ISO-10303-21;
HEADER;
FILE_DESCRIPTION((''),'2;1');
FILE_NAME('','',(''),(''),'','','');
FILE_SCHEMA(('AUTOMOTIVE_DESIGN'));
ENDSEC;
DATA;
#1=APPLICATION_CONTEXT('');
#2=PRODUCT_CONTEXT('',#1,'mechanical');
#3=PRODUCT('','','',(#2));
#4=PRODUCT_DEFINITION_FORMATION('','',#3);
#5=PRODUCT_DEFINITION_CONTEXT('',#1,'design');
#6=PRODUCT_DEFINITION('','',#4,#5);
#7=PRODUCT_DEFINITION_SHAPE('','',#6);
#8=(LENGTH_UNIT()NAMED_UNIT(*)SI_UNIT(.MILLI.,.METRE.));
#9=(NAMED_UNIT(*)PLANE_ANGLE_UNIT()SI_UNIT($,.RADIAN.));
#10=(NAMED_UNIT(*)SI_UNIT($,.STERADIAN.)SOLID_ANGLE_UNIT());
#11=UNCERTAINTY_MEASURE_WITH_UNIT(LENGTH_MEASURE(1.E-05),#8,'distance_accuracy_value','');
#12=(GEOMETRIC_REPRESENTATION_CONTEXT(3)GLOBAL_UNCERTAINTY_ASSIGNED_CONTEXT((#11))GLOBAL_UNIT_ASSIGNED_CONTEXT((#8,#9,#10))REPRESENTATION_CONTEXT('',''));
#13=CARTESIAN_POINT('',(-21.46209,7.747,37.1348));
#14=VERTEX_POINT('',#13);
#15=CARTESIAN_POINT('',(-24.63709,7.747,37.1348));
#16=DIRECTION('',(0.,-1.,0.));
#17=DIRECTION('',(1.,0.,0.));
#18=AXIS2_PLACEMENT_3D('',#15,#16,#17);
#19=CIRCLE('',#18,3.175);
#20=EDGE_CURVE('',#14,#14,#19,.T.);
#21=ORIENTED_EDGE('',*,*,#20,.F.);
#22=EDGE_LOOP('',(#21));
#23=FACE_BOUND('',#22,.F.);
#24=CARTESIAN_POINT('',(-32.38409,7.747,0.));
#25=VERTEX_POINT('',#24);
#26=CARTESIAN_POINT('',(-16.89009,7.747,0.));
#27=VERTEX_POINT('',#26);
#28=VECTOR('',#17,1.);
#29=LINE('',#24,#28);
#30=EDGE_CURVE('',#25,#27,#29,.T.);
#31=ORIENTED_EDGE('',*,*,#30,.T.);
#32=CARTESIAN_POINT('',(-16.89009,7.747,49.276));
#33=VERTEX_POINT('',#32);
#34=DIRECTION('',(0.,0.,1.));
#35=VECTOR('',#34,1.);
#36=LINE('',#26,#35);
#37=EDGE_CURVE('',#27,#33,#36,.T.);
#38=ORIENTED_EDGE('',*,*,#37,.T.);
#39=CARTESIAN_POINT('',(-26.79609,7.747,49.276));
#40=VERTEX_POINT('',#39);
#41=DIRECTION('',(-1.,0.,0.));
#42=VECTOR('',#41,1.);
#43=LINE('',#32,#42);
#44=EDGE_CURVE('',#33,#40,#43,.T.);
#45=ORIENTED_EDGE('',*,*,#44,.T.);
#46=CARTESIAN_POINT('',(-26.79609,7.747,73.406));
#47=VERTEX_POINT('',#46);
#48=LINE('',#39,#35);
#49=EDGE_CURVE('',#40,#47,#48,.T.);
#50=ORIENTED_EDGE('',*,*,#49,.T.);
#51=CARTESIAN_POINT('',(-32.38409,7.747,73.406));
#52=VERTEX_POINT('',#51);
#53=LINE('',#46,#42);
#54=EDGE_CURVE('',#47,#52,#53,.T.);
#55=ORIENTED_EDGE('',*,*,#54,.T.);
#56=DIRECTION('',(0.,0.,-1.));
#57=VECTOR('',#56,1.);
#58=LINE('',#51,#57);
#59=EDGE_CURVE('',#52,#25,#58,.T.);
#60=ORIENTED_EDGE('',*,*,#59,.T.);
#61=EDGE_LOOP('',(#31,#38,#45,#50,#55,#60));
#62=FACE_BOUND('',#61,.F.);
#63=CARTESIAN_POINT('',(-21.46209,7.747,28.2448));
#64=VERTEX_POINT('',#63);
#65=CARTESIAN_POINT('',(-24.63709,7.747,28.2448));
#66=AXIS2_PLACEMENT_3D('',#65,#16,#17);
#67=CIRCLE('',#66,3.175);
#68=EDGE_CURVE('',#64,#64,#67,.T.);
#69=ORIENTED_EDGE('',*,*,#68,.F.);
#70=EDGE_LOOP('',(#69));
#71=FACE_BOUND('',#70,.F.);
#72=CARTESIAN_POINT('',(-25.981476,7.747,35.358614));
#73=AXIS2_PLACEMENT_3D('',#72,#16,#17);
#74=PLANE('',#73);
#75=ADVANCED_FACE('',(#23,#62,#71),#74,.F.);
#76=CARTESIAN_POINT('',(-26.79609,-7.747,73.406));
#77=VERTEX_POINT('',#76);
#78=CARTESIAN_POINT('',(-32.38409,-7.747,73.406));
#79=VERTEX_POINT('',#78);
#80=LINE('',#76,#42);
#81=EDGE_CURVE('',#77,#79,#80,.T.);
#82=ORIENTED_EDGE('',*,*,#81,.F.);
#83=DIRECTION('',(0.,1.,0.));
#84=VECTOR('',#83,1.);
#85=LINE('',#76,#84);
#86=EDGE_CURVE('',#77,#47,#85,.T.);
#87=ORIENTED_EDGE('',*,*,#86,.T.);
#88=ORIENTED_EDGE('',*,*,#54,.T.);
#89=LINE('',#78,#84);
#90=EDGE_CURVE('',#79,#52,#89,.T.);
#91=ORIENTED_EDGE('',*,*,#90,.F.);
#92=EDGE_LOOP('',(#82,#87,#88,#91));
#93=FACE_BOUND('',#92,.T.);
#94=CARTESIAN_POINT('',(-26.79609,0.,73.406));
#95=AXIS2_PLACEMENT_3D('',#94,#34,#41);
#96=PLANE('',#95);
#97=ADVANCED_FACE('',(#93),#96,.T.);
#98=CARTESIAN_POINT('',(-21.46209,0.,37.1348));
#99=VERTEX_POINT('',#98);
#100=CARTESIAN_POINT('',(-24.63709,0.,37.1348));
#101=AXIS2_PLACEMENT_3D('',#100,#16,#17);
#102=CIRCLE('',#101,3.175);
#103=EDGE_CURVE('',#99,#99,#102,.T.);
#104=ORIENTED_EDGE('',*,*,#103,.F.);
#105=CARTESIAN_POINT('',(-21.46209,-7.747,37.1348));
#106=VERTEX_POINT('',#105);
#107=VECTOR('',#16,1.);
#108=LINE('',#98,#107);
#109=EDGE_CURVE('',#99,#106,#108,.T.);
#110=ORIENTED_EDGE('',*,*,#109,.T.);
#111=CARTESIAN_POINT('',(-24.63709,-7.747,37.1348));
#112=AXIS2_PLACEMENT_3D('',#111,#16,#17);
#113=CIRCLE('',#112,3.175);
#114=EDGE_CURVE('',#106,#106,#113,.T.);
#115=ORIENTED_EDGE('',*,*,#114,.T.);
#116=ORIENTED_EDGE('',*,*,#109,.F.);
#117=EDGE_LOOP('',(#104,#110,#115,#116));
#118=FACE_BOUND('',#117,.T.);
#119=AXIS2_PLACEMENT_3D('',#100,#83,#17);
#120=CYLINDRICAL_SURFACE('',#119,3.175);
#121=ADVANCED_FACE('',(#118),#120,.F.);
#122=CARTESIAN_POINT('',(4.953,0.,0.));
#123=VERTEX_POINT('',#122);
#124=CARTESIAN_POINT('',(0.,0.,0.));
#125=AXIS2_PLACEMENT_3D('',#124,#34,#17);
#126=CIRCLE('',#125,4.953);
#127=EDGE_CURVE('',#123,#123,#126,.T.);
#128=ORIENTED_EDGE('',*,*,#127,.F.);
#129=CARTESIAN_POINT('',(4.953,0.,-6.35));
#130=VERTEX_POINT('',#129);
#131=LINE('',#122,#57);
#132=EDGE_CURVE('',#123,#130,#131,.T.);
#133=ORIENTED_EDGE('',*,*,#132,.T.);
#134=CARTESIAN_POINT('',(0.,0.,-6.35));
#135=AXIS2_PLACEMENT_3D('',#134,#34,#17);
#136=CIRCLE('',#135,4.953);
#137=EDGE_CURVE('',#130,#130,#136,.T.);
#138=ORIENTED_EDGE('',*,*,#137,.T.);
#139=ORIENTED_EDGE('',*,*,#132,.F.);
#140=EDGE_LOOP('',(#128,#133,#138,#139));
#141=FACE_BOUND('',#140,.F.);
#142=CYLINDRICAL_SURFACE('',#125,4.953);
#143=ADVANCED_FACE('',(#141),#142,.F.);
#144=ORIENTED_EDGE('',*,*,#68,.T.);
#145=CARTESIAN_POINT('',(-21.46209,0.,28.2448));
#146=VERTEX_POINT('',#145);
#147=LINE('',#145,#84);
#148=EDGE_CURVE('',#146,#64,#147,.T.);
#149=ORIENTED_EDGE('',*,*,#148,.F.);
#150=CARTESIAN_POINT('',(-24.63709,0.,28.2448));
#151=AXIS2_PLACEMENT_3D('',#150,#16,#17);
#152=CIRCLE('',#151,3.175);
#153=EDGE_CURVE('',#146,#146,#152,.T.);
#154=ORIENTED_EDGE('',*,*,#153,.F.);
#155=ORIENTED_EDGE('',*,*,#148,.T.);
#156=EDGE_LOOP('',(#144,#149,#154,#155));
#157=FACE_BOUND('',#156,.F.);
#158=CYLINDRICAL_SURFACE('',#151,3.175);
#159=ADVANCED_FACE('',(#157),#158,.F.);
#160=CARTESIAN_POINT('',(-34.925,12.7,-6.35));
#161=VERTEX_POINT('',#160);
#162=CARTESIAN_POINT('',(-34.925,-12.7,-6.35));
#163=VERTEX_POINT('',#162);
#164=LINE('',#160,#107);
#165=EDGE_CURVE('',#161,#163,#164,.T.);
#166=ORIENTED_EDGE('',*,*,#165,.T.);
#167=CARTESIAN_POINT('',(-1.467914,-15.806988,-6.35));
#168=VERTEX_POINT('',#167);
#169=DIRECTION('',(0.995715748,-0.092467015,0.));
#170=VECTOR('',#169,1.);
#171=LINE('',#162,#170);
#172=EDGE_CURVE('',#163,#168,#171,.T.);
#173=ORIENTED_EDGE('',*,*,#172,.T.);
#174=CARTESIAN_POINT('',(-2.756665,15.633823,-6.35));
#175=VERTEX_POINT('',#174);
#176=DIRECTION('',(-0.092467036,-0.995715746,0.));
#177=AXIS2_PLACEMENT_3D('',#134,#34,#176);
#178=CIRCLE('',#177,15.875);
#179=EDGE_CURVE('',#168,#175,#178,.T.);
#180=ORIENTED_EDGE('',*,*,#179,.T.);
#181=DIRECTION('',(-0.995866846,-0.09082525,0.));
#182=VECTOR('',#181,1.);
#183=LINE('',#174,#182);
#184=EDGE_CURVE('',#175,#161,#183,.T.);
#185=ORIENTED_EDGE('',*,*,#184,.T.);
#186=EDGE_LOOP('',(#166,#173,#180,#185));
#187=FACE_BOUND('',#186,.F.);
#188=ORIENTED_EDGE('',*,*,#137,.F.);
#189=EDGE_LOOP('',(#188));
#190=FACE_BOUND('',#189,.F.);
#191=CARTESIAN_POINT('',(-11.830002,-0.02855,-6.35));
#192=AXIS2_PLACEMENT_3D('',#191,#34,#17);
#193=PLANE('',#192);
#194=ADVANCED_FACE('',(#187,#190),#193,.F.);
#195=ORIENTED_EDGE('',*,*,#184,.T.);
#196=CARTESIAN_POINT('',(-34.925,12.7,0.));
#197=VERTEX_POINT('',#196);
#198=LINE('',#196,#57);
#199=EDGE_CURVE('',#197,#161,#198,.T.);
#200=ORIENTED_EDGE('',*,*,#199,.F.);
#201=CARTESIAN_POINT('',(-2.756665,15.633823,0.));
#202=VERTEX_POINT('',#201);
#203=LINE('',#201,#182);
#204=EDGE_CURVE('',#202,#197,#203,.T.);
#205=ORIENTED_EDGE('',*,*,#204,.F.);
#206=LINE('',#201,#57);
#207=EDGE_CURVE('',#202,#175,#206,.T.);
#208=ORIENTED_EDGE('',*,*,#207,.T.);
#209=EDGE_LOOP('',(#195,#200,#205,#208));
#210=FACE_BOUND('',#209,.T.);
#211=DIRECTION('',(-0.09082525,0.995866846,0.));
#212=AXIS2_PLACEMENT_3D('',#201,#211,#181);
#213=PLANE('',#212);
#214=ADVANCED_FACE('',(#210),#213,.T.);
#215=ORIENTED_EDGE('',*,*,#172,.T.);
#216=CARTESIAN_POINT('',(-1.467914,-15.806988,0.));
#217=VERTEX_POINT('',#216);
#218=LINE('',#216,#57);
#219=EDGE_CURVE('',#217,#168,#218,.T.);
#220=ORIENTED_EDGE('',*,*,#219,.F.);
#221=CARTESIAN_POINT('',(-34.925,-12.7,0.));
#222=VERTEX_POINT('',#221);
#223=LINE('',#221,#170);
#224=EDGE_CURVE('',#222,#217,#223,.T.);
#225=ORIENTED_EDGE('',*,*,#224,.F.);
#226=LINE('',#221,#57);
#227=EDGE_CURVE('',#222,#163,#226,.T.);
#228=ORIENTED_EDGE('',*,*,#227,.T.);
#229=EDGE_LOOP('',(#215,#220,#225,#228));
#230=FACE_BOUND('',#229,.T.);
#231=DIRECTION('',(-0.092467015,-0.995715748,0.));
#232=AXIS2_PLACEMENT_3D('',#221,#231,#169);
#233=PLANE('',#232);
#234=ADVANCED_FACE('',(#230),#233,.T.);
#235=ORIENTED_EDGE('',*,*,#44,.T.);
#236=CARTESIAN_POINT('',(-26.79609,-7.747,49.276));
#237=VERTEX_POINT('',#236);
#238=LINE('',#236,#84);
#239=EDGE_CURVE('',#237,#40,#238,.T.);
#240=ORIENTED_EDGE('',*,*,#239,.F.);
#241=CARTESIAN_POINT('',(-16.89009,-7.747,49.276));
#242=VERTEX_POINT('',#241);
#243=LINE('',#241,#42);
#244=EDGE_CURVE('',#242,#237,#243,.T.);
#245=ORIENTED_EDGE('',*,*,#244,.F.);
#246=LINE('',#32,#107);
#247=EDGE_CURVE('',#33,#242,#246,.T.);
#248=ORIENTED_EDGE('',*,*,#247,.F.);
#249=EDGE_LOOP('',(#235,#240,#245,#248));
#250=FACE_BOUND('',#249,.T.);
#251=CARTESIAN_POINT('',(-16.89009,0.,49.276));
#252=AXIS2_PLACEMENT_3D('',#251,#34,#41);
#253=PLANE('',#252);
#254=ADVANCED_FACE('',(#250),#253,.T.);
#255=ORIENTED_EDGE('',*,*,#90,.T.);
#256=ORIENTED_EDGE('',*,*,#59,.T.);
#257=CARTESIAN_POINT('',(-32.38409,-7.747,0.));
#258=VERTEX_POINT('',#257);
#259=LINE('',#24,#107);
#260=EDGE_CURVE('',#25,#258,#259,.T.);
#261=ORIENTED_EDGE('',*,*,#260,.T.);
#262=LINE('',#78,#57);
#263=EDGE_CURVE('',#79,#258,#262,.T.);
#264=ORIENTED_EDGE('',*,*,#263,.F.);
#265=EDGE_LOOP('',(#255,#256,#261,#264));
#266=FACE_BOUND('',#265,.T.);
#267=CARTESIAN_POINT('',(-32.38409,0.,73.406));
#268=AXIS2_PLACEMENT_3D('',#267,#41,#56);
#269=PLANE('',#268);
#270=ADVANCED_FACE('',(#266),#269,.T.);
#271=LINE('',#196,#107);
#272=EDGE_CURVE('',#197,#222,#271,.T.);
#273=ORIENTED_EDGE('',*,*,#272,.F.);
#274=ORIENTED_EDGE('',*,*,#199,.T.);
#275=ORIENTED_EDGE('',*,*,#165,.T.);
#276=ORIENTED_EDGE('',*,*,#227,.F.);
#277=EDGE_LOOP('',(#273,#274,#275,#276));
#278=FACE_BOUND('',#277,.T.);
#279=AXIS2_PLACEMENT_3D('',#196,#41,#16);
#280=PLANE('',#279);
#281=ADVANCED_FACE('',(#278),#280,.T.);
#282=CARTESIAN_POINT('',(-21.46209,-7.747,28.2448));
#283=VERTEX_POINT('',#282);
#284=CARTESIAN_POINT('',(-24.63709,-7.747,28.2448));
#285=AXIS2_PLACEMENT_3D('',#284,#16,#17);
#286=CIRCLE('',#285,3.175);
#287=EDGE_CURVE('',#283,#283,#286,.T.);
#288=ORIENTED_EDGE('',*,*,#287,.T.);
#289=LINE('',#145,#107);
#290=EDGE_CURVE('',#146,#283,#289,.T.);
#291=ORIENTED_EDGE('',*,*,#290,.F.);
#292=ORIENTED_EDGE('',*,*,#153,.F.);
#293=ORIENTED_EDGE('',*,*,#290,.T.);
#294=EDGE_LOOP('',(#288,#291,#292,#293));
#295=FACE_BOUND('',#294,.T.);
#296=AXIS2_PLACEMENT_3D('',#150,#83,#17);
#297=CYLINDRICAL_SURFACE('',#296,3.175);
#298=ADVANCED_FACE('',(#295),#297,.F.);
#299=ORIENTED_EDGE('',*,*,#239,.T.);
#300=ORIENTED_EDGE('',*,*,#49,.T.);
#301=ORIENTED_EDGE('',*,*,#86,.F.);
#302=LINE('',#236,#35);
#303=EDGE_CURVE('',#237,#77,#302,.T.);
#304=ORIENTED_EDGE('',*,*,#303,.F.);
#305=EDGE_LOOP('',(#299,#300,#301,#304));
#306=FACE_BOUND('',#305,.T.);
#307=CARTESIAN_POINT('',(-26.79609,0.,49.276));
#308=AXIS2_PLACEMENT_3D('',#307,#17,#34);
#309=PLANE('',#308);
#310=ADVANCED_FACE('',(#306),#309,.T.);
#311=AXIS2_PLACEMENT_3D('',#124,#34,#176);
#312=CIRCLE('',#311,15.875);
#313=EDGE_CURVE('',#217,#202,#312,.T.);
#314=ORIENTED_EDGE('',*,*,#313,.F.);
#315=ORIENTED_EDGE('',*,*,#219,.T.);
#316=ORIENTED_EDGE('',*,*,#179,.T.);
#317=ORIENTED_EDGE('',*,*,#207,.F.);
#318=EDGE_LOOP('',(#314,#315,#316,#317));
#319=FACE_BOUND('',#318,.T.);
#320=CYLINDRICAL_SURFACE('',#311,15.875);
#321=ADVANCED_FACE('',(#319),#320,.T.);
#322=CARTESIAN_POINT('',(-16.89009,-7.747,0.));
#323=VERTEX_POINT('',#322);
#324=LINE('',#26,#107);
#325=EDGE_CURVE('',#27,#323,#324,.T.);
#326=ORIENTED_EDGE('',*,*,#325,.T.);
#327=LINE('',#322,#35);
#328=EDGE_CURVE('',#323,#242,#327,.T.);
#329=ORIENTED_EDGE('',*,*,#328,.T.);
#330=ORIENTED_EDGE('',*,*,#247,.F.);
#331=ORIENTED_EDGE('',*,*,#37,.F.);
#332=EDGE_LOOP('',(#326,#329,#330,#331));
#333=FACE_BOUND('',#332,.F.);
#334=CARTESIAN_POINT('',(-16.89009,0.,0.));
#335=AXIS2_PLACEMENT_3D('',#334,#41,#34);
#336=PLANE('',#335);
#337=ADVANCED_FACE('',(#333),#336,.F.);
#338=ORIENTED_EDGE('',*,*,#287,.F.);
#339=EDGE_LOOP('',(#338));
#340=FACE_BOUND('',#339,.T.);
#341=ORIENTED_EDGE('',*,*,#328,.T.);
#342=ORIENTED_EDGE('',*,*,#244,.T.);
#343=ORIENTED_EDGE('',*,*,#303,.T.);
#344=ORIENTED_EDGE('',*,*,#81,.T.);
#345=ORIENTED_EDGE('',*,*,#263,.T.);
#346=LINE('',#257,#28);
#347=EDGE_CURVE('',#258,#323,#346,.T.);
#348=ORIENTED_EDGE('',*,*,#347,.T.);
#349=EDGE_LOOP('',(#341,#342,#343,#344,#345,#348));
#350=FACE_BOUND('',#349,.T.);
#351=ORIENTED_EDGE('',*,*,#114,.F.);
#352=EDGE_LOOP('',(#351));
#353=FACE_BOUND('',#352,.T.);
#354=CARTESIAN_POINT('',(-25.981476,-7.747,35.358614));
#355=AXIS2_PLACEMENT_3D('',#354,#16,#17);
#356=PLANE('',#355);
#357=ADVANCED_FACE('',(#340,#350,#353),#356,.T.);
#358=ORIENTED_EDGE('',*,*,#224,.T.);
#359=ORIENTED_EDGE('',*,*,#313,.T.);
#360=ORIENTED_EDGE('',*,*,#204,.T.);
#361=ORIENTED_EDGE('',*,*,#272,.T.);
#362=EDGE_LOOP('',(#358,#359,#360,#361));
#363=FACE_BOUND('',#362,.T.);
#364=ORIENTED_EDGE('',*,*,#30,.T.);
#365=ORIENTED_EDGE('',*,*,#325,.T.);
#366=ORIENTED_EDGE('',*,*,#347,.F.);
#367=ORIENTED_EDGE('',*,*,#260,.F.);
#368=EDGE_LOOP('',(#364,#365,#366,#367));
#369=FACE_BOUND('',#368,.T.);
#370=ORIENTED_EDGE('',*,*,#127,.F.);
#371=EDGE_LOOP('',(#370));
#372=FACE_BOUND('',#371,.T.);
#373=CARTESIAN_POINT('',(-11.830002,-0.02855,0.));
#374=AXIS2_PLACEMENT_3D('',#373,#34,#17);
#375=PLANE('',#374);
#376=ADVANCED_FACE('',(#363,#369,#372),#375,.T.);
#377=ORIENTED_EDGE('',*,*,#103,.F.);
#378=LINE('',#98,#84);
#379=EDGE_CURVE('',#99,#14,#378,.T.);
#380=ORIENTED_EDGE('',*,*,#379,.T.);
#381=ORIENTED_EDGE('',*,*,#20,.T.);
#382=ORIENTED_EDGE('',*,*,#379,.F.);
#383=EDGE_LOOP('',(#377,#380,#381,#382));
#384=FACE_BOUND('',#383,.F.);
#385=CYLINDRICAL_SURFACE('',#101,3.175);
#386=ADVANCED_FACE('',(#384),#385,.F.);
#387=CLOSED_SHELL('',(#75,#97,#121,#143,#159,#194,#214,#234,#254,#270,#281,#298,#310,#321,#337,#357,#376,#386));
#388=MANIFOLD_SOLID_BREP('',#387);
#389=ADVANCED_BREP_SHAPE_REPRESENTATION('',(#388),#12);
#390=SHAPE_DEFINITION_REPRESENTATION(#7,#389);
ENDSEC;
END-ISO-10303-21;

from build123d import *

# Parameters (mm, degrees)
F0_R          = 4.953
F1_DEPTH      = 6.35
F2_R          = 3.175
F3_DEPTH      = 7.747
F3_DEPTH_BACK = 7.747


with BuildPart() as f1:
    # F0 (on Top) → F1 (new body)
    with BuildSketch(Plane.XY):
        with BuildLine():
            Line((-2.756665, 15.633823), (-34.925, 12.7))
            Line((-34.925, 12.7), (-34.925, -12.7))
            Line((-34.925, -12.7), (-1.467914, -15.806988))
            ThreePointArc((-1.467914, -15.806988), (15.861681, 0.650166), (-2.756665, 15.633823))
        make_face()
        Circle(F0_R, mode=Mode.SUBTRACT)
    extrude(amount=-F1_DEPTH)

    # F2 (on Front) → F3 (join, two sides)
    with BuildSketch(Plane.XZ) as f3_sk:
        Polygon((-32.38409, 73.406), (-32.38409, 0), (-16.89009, 0), (-16.89009, 49.276), (-26.79609, 49.276), (-26.79609, 73.406), align=None)
        with Locations((-24.63709, 28.2448)):
            Circle(F2_R, mode=Mode.SUBTRACT)
        with Locations((-24.63709, 37.1348)):
            Circle(F2_R, mode=Mode.SUBTRACT)
    extrude(amount=F3_DEPTH)
    extrude(f3_sk.sketch, amount=-F3_DEPTH_BACK)


solid = f1.part
